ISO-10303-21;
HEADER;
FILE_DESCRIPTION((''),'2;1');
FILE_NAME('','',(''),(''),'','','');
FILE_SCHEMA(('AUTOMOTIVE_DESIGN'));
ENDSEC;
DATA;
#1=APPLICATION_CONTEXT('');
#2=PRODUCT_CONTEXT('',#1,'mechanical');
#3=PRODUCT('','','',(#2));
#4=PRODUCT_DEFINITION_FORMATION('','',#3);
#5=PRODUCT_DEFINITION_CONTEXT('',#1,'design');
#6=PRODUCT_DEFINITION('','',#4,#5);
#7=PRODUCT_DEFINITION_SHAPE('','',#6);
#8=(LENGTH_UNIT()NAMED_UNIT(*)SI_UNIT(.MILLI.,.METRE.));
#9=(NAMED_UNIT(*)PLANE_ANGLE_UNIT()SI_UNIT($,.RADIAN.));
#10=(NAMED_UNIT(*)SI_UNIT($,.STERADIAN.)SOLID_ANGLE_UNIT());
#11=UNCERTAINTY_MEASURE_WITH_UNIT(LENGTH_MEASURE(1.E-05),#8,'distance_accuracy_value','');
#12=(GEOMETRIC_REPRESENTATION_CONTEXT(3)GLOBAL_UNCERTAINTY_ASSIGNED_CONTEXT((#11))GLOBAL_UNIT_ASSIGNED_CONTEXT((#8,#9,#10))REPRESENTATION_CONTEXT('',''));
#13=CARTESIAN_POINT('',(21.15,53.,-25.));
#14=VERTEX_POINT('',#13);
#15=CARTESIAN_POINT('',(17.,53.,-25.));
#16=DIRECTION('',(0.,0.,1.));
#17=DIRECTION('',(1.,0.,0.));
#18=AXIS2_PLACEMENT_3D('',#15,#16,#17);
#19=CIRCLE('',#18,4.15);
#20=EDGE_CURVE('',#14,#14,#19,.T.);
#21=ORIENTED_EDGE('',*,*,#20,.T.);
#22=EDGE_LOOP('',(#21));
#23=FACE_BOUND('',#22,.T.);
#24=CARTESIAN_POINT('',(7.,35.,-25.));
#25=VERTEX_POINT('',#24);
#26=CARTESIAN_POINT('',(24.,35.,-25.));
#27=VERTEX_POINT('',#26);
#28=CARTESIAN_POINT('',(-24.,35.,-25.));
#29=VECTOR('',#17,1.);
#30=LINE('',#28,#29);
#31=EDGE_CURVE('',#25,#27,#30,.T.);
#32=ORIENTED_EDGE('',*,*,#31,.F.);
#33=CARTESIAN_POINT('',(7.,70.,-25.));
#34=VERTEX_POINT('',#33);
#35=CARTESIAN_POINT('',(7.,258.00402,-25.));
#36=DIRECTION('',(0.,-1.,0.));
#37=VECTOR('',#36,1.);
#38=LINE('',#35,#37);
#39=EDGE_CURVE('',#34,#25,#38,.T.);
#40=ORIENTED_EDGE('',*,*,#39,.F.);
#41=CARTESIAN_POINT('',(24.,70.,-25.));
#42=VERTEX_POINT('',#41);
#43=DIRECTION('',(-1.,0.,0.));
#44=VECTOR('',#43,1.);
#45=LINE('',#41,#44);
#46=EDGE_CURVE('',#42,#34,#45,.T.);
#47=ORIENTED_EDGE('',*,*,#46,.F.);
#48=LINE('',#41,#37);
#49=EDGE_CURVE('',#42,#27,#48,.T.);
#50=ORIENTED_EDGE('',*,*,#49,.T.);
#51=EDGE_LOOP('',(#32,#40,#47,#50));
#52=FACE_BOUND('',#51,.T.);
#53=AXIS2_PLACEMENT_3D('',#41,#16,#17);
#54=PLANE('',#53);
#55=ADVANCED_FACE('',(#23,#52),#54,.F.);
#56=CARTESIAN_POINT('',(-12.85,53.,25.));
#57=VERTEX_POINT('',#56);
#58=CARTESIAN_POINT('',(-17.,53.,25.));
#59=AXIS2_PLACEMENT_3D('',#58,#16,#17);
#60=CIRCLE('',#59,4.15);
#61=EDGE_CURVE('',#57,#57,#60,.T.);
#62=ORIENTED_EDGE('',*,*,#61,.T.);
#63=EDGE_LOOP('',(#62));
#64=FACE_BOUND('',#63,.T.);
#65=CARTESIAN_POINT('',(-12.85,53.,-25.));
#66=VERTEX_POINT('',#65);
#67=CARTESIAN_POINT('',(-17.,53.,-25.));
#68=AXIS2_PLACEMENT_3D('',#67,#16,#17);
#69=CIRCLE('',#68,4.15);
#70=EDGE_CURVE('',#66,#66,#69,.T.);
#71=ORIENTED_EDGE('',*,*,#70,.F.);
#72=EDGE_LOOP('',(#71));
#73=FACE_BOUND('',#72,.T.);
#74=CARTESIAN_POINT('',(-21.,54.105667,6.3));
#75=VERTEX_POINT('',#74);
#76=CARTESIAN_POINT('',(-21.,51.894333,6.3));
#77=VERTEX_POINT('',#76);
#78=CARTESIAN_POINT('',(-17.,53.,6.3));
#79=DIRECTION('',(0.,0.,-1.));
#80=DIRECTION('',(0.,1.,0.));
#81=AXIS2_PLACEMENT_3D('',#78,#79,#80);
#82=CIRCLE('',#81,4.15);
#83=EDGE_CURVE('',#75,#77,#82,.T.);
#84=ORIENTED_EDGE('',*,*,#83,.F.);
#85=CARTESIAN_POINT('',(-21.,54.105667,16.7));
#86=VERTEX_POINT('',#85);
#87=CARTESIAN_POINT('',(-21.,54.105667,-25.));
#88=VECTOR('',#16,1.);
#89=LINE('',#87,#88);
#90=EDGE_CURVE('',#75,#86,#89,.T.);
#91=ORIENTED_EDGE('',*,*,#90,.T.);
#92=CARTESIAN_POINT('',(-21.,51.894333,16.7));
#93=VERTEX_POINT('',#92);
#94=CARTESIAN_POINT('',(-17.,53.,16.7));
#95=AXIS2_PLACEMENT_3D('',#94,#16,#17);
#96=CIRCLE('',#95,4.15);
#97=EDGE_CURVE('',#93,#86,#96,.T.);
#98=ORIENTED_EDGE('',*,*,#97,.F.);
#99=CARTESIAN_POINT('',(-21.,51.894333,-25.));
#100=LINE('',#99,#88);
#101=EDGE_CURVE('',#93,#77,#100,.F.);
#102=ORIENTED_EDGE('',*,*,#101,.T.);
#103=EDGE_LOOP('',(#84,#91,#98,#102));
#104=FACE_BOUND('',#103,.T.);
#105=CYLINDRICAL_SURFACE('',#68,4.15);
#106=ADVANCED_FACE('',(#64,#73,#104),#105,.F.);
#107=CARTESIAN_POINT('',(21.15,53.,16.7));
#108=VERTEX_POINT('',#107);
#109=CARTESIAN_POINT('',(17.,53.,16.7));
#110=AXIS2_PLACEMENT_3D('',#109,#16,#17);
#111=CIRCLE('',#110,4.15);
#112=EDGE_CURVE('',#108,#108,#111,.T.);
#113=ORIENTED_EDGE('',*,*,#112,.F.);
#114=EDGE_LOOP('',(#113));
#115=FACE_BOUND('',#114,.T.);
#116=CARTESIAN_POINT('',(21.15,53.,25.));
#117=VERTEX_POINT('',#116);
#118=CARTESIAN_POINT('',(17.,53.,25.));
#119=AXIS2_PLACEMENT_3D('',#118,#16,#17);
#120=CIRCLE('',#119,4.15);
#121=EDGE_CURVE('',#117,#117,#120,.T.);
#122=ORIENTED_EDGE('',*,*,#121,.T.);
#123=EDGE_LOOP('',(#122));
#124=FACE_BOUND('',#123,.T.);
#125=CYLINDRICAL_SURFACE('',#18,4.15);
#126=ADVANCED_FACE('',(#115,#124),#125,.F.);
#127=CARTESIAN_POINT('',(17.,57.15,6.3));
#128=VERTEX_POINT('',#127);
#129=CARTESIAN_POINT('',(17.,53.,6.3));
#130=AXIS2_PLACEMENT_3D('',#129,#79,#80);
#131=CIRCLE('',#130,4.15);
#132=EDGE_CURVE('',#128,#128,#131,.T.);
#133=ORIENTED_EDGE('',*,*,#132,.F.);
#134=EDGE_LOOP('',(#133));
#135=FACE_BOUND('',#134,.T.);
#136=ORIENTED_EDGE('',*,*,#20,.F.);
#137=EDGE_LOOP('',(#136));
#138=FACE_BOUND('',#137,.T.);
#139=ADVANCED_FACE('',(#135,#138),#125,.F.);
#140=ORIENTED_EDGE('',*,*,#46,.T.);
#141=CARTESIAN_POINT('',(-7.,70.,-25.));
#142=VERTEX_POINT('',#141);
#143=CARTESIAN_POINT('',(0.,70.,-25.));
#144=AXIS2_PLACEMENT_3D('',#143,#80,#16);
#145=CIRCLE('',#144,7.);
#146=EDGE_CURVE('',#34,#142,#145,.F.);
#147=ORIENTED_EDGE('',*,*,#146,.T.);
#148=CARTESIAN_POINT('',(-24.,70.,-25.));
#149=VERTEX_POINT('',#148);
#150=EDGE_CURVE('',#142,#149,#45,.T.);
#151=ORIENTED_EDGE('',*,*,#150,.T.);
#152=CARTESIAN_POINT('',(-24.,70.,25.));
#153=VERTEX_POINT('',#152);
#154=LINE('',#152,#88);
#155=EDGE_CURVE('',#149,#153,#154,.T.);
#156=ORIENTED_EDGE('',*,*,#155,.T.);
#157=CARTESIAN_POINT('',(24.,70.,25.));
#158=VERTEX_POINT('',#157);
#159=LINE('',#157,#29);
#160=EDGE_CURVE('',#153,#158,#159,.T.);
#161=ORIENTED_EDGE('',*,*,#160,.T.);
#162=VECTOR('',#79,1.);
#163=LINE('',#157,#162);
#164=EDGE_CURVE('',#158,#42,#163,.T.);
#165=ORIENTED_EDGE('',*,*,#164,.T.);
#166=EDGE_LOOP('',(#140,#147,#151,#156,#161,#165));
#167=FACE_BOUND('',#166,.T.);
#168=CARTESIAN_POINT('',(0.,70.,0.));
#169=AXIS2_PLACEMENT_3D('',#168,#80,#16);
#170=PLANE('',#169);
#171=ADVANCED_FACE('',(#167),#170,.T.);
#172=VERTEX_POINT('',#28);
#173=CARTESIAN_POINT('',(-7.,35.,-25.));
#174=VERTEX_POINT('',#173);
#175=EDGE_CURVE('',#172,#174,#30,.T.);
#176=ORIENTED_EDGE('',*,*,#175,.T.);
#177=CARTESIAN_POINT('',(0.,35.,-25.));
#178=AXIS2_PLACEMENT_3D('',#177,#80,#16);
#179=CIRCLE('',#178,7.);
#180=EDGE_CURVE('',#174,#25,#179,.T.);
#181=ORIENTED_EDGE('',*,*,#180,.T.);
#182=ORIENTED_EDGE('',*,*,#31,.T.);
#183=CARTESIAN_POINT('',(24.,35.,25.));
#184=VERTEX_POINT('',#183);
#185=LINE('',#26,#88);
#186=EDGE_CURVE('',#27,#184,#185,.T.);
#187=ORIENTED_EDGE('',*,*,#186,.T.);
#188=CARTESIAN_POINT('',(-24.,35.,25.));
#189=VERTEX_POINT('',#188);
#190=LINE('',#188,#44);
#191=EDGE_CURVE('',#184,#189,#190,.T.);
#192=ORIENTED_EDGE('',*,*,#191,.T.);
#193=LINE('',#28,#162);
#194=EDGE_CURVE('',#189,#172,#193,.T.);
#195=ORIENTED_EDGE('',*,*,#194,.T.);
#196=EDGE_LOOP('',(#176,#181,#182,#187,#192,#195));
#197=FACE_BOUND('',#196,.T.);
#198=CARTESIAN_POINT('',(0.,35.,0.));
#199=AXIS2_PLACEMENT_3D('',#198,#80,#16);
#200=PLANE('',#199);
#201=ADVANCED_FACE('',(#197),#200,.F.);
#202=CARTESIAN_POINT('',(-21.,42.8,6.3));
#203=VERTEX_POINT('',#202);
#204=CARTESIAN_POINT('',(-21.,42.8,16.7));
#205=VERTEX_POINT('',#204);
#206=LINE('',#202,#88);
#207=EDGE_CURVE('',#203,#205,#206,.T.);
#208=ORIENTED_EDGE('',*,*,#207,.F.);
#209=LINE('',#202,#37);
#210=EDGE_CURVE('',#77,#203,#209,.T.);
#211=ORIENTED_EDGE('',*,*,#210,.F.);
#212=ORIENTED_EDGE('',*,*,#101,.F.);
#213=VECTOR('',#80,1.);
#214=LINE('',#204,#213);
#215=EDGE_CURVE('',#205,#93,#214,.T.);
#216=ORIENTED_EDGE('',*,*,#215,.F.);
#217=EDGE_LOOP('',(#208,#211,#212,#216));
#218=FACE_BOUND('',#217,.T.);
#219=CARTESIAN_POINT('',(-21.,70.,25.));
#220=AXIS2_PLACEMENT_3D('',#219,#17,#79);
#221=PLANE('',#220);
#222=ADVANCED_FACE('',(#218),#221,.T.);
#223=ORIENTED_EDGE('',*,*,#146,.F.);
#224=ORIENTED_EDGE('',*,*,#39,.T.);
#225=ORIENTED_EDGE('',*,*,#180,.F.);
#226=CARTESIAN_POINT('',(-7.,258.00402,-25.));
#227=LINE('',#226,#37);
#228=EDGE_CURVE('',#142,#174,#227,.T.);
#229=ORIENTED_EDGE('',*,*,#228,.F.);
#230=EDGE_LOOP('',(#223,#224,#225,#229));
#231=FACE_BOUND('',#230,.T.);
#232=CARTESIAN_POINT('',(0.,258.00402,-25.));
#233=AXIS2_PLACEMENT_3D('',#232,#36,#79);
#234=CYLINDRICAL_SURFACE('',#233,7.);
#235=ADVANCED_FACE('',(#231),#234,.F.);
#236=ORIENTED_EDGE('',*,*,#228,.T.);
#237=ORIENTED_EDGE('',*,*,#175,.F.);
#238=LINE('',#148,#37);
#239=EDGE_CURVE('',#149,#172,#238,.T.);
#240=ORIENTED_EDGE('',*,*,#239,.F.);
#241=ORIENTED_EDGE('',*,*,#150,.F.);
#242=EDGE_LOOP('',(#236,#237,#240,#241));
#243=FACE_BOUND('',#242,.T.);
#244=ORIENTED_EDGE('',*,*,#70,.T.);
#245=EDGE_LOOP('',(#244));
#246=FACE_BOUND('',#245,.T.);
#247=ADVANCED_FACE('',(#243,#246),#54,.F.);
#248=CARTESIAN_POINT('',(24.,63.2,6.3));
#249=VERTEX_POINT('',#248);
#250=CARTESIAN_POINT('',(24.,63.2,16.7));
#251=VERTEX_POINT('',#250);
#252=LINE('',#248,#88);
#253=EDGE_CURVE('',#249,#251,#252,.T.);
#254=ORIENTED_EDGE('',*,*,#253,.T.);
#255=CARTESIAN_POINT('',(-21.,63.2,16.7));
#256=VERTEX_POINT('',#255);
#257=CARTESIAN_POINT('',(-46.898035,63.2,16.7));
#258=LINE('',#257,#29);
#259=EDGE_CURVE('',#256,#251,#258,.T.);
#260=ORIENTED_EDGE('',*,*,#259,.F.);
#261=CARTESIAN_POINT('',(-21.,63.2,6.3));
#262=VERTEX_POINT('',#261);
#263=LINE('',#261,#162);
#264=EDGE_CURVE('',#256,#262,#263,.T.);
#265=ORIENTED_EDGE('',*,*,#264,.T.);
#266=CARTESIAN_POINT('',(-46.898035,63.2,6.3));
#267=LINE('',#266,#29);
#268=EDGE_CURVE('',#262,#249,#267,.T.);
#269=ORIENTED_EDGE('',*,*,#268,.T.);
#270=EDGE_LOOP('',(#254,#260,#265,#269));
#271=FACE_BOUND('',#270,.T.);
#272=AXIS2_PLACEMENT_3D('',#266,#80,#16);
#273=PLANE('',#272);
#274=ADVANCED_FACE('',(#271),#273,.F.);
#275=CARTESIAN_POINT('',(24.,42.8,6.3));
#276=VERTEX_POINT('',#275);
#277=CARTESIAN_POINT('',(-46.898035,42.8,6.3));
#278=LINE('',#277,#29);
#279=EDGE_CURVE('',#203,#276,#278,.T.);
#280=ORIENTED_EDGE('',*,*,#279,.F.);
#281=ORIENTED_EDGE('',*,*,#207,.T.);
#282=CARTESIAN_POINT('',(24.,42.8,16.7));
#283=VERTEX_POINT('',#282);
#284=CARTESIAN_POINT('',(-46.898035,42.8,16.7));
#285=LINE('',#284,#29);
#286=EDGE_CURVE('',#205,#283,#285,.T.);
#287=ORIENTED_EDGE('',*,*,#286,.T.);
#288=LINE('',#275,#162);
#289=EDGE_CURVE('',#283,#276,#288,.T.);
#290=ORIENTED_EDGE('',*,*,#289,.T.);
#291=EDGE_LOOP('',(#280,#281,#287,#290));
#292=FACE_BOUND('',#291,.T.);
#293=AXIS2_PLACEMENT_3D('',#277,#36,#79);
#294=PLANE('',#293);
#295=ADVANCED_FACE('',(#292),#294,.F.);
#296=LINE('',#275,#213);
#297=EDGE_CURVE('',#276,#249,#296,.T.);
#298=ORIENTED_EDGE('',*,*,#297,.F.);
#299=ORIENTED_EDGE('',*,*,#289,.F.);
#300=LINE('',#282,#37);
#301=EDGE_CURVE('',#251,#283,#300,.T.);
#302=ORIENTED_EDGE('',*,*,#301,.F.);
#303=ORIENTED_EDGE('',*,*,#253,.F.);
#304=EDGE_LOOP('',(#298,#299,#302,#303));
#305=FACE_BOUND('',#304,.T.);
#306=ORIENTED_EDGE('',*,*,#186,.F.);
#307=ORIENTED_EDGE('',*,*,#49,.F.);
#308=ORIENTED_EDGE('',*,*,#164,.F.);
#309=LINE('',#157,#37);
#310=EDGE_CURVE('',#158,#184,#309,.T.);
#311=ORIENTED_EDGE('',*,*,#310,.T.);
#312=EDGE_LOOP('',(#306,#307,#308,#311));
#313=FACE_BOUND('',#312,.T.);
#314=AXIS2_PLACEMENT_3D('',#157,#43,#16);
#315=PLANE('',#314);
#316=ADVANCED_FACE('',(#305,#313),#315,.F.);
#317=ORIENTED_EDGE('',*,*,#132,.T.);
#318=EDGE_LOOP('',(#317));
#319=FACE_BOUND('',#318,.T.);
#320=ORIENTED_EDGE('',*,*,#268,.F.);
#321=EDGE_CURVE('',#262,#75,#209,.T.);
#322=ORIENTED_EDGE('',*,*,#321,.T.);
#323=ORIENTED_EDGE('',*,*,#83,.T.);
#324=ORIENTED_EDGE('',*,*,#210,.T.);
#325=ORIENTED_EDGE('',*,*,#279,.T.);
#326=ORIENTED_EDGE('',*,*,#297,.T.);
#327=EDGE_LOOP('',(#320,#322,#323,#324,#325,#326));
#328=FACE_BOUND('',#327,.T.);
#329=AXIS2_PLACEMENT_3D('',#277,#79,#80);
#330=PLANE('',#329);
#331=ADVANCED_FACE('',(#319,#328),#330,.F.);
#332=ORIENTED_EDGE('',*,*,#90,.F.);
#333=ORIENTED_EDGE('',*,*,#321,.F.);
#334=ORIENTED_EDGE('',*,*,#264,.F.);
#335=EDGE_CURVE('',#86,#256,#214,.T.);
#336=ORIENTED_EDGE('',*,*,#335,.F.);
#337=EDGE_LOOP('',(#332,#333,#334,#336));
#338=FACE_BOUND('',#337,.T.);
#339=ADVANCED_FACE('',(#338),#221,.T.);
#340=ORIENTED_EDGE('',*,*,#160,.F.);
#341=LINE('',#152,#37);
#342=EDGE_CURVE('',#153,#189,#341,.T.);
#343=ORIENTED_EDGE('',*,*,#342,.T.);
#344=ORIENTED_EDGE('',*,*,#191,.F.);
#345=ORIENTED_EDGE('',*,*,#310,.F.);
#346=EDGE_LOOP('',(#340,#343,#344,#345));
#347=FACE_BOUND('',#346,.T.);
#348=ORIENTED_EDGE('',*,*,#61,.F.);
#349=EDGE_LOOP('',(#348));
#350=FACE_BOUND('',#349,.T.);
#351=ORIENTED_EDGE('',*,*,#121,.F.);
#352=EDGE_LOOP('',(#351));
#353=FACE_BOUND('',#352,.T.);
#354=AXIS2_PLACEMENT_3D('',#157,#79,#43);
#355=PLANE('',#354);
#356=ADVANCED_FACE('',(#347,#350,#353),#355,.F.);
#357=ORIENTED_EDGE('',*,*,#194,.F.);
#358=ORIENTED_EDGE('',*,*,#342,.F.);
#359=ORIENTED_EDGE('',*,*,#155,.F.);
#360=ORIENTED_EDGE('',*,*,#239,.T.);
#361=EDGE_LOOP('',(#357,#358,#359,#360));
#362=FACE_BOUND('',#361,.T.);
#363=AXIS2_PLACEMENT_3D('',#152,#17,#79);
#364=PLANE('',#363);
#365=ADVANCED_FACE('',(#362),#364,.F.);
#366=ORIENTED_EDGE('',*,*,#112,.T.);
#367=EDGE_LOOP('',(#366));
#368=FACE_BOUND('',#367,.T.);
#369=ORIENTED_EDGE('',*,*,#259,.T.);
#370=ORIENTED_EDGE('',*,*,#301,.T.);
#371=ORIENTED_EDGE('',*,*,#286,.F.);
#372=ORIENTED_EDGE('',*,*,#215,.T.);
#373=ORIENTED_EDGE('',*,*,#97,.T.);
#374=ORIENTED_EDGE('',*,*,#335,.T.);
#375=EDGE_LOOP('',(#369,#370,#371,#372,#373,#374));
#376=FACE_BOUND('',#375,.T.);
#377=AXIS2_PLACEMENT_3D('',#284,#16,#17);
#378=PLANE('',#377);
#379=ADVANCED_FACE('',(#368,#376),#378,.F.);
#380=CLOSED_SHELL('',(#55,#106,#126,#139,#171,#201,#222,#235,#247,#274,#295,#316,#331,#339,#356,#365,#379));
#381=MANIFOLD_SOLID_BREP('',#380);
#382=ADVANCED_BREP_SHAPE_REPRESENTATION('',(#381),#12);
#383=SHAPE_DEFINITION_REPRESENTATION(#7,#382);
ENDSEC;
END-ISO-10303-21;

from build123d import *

# Parameters (mm, degrees)
SKETCH1_W               = 48
SKETCH1_H               = 50
BOSS_EXTRUDE1_DEPTH     = 70
SKETCH2_W               = 10.4
SKETCH2_H               = 20.4
CUT_EXTRUDE1_DEPTH      = 45
SKETCH3_R               = 4.15
CUT_EXTRUDE2_DEPTH      = 51
CUT_EXTRUDE3_DEPTH      = 1
CUT_EXTRUDE3_DEPTH_BACK = 71
SKETCH5_W               = 48
SKETCH5_H               = 50
CUT_EXTRUDE4_DEPTH      = 35


with BuildPart() as part:
    # Sketch1 → Boss-Extrude1 (new body)
    with BuildSketch(Plane(origin=(0, 0, 0), x_dir=(1, 0, 0), z_dir=(0, 1, 0))):
        Rectangle(SKETCH1_W, SKETCH1_H)
    extrude(amount=BOSS_EXTRUDE1_DEPTH)

    # Sketch2 → Cut-Extrude1 (cut)
    with BuildSketch(Plane(origin=(24, 0, 0), x_dir=(0, 0, -1), z_dir=(1, 0, 0))):
        with Locations((-11.5, 53)):
            Rectangle(SKETCH2_W, SKETCH2_H)
        with Locations((-11.5, 17)):
            Rectangle(SKETCH2_W, SKETCH2_H)
    extrude(amount=-CUT_EXTRUDE1_DEPTH, mode=Mode.SUBTRACT)

    # Sketch3 → Cut-Extrude2 (cut, through all)
    with BuildSketch(Plane.XY.offset(25)):
        with Locations((17, 53)):
            Circle(SKETCH3_R)
        with Locations((-17, 53)):
            Circle(SKETCH3_R)
        with Locations((-17, 17)):
            Circle(SKETCH3_R)
        with Locations((17, 17)):
            Circle(SKETCH3_R)
    extrude(amount=-CUT_EXTRUDE2_DEPTH, mode=Mode.SUBTRACT)

    # Sketch4 → Cut-Extrude3 (cut, two sides)
    with BuildSketch(Plane(origin=(0, 70, 0), x_dir=(1, 0, 0), z_dir=(0, 1, 0))) as cut_extrude3_sk:
        with BuildLine():
            Line((-7, 152.660528641), (-7, 25))
            ThreePointArc((-7, 25), (0, 18), (7, 25))
            Line((7, 25), (7, 152.660528641))
            Line((7, 152.660528641), (7, 407.981585922))
            Line((7, 407.981585922), (-7, 407.981585922))
            Line((-7, 407.981585922), (-7, 152.660528641))
        make_face()
    extrude(amount=CUT_EXTRUDE3_DEPTH, mode=Mode.SUBTRACT)
    extrude(cut_extrude3_sk.sketch, amount=-CUT_EXTRUDE3_DEPTH_BACK, mode=Mode.SUBTRACT)

    # Sketch5 → Cut-Extrude4 (cut)
    with BuildSketch(Plane.XZ):
        Rectangle(SKETCH5_W, SKETCH5_H)
    extrude(amount=-CUT_EXTRUDE4_DEPTH, mode=Mode.SUBTRACT)


solid = part.part
